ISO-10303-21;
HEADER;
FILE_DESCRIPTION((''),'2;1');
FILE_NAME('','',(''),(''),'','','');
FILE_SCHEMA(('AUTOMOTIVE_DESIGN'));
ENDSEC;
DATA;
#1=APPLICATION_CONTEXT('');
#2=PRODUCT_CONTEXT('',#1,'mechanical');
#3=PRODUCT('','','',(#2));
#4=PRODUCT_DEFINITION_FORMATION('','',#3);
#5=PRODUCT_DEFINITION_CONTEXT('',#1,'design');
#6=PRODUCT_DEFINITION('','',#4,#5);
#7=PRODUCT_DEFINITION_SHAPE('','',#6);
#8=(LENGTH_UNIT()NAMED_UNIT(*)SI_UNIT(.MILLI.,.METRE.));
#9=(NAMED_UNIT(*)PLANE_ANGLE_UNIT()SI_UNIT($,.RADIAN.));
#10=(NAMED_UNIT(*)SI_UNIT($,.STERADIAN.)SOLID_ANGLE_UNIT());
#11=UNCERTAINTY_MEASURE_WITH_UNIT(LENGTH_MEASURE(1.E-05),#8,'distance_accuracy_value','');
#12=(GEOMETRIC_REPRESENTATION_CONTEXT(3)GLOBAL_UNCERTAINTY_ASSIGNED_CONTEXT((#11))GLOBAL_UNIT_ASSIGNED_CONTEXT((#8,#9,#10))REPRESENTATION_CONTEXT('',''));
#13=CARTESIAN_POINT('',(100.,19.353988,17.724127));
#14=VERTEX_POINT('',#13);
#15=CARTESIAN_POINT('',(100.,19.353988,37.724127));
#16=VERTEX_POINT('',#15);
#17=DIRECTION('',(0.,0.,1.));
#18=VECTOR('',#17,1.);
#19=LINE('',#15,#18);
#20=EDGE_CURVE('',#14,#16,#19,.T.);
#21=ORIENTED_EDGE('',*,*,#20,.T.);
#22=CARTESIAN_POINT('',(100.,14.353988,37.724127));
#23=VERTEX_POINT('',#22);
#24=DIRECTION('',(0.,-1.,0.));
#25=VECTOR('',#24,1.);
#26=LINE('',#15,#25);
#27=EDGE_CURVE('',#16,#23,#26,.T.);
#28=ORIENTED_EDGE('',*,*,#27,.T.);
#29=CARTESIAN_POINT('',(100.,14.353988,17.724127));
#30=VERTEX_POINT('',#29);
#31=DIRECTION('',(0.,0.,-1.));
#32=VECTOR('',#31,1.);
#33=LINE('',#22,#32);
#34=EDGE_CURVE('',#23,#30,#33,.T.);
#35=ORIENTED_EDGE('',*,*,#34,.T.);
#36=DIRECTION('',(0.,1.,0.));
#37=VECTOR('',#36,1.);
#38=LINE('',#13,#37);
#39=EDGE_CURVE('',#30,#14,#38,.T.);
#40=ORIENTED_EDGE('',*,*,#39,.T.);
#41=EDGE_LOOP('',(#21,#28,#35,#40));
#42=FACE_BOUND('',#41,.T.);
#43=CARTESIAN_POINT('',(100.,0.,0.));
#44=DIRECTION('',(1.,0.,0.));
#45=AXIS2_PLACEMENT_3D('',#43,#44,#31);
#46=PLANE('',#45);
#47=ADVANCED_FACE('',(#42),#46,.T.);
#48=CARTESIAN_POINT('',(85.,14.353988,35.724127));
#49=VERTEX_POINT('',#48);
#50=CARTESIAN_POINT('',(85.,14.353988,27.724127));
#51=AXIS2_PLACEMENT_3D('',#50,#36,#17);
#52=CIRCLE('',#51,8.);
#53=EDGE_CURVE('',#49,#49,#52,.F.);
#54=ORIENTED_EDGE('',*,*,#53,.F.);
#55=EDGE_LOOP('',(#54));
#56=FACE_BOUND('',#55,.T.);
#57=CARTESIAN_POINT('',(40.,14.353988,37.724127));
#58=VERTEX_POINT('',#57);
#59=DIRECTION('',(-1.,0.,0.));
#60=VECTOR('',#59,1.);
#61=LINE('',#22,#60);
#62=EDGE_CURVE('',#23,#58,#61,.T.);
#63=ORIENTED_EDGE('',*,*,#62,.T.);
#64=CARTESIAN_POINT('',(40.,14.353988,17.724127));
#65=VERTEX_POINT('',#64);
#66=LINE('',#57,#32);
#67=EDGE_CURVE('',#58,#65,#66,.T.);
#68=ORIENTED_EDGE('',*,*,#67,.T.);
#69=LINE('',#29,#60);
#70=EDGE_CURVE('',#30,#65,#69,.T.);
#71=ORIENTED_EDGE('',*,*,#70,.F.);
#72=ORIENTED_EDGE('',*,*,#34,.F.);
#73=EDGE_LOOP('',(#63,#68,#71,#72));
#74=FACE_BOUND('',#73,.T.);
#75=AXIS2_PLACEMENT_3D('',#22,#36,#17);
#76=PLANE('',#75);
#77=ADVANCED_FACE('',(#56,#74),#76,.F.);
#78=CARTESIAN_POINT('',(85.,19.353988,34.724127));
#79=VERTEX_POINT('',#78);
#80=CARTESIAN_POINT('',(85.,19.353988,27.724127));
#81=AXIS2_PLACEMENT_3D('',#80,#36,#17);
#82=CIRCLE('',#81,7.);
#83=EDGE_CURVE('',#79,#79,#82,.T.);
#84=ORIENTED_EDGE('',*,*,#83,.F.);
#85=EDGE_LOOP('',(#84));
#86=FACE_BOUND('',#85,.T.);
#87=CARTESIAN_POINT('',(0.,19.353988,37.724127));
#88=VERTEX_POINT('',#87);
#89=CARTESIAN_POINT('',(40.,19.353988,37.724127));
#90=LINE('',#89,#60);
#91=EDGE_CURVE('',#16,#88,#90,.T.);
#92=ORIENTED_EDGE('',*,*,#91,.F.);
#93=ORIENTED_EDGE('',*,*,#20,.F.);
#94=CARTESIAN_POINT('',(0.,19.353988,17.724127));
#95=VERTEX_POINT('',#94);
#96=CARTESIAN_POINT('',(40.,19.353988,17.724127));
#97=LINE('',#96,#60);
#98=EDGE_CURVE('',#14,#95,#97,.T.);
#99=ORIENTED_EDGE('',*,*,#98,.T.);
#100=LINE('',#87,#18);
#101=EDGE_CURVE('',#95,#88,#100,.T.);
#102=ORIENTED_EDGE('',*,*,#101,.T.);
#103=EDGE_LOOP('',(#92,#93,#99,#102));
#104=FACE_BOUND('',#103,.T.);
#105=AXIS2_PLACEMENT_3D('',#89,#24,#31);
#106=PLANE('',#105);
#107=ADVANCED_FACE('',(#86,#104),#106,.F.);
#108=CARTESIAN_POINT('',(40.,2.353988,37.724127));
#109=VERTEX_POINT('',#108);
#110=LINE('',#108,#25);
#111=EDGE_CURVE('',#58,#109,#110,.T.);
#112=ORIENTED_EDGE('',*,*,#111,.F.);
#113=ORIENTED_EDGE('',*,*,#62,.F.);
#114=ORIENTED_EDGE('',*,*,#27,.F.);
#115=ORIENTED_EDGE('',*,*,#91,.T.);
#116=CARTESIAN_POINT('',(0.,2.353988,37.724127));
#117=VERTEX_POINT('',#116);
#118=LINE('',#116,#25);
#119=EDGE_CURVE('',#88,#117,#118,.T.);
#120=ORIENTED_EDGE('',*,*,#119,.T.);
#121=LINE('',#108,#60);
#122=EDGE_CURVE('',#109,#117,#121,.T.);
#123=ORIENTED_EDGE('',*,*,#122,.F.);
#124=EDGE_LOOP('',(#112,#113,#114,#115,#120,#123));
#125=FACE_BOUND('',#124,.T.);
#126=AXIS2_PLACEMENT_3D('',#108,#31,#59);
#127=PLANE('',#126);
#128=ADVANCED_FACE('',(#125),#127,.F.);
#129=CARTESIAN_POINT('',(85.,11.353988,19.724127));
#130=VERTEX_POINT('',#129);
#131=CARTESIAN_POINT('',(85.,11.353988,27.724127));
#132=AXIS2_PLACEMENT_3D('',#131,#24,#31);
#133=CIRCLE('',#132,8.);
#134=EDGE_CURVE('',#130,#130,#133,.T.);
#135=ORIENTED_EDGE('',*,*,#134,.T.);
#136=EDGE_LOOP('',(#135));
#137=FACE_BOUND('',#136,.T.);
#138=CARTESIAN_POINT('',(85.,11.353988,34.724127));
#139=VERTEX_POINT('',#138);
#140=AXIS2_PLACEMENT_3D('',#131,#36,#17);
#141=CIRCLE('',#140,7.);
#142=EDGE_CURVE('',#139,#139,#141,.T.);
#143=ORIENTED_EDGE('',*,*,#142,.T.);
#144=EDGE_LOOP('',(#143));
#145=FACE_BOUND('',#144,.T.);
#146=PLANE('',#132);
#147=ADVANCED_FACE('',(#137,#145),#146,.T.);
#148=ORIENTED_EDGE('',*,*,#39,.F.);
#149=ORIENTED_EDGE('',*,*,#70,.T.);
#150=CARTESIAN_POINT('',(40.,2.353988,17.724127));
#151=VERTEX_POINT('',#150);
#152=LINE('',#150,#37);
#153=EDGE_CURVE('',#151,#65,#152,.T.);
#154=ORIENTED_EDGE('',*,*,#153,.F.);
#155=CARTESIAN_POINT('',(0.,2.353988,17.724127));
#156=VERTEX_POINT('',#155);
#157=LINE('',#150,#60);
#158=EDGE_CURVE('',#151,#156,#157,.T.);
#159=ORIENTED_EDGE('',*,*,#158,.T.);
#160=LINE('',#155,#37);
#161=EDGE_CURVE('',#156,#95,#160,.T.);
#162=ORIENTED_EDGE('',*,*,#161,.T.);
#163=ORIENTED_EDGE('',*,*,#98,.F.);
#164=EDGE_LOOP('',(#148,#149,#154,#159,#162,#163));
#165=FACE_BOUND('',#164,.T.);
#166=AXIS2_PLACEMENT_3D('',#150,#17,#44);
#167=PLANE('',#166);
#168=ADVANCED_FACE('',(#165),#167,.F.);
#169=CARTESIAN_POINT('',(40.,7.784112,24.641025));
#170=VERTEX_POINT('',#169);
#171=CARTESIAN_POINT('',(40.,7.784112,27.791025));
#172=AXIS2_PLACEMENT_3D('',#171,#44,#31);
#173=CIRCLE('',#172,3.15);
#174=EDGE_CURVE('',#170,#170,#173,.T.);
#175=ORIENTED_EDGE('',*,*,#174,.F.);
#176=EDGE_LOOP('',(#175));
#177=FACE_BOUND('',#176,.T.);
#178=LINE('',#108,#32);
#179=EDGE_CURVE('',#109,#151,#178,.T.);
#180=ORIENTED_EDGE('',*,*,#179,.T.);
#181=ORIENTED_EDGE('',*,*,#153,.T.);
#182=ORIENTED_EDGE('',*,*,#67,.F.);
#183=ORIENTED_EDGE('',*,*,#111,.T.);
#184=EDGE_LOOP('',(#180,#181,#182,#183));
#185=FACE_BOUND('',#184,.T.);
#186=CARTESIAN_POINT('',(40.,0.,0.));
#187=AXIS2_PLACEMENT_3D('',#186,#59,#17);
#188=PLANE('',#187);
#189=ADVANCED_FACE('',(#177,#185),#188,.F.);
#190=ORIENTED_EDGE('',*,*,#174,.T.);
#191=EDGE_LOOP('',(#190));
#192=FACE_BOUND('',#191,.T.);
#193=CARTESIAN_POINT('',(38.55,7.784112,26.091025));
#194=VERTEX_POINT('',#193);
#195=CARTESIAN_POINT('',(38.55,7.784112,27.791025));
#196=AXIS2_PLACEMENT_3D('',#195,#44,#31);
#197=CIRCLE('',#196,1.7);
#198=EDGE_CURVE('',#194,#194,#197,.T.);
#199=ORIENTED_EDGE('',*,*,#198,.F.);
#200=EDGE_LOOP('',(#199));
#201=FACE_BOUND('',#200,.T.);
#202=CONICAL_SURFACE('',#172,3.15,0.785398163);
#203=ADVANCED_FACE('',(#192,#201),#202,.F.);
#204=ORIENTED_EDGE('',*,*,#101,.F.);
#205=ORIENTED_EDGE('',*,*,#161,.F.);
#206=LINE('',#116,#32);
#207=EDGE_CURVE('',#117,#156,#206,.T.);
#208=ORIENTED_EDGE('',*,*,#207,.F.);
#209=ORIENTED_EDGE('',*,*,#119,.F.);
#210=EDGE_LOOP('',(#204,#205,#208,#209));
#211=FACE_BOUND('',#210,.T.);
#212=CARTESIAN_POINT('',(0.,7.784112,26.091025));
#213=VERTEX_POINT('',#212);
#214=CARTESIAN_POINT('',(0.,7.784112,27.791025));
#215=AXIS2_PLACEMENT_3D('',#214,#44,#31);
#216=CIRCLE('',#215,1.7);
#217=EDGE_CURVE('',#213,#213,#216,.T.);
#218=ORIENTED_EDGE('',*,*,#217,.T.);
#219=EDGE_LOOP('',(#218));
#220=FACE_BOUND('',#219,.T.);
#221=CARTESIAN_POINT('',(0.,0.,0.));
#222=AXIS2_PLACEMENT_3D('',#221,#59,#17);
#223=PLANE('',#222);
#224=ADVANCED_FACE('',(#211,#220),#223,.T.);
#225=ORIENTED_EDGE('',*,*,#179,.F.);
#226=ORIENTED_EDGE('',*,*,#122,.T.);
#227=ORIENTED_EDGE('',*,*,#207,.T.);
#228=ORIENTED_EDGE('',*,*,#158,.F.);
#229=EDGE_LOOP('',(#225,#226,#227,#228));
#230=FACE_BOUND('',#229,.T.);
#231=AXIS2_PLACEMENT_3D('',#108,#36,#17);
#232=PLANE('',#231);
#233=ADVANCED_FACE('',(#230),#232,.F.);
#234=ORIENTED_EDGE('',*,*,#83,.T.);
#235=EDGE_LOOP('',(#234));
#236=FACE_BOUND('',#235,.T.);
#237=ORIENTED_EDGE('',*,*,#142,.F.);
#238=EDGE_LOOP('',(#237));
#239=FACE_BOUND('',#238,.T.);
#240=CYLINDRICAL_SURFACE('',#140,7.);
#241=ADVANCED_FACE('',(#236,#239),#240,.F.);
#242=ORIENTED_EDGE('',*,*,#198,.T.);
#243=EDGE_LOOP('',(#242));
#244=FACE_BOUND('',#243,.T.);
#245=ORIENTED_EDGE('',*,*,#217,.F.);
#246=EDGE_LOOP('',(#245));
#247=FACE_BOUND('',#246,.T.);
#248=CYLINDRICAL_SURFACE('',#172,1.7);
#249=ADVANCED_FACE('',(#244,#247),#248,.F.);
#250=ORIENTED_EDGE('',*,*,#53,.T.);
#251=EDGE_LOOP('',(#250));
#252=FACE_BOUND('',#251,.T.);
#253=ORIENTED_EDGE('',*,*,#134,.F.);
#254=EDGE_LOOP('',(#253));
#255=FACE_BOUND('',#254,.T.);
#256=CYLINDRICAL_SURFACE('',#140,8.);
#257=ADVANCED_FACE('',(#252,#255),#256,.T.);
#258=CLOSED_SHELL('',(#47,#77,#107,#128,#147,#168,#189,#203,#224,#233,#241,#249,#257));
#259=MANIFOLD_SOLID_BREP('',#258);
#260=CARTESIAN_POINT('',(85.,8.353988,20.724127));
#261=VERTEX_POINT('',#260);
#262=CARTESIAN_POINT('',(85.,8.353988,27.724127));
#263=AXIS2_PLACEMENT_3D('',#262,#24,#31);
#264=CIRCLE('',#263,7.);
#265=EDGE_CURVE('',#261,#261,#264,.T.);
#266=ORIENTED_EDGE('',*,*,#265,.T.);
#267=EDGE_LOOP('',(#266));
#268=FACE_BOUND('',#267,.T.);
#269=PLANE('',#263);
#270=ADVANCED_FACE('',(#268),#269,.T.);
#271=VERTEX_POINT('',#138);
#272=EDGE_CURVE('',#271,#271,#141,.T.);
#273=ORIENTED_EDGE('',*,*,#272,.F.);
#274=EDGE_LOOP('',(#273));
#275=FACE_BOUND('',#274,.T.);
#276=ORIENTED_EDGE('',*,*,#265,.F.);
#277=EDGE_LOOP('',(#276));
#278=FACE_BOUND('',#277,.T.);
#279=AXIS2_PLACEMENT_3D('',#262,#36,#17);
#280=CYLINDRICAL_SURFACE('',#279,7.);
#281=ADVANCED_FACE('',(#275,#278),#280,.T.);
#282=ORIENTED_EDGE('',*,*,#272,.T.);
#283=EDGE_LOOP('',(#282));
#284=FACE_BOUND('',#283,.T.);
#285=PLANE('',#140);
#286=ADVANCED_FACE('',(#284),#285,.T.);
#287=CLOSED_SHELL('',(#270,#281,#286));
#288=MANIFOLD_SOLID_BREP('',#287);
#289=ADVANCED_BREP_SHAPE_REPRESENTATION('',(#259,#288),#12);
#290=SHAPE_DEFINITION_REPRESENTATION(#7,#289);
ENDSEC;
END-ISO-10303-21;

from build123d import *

# Parameters (mm, degrees)
SKETCH_1_W          = 20
SKETCH_1_H          = 17
EXTRUDE_1_DEPTH     = 40
SKETCH_2_W          = 20
SKETCH_2_H          = 5
EXTRUDE_2_DEPTH     = 60
SKETCH_3_R          = 8
EXTRUDE_3_DEPTH     = 3
SKETCH_4_R          = 7
EXTRUDE_4_DEPTH     = 3
SKETCH_16_R         = 7
CUT_EXTRUDE_1_DEPTH = 8


with BuildPart() as part:
    # Эскиз1 → Бобышка-Вытянуть1 (new body)
    with BuildSketch(Plane(origin=(0, 0, 0), x_dir=(0, 0, -1), z_dir=(1, 0, 0))):
        with Locations((-27.72412662, 10.853987982)):
            Rectangle(SKETCH_1_W, SKETCH_1_H)
    extrude(amount=EXTRUDE_1_DEPTH)

    # Эскиз2 → Бобышка-Вытянуть2 (add)
    with BuildSketch(Plane(origin=(40, 0, 0), x_dir=(0, 0, -1), z_dir=(1, 0, 0))):
        with Locations((-27.72412662, 16.853987982)):
            Rectangle(SKETCH_2_W, SKETCH_2_H)
    extrude(amount=EXTRUDE_2_DEPTH)

    # Эскиз3 → Бобышка-Вытянуть3 (add)
    with BuildSketch(Plane.XZ.offset(-14.353987982)):
        with Locations(Location((85, 27.72412662, 0), (0, 0, 90))):
            Circle(SKETCH_3_R)
    extrude(amount=EXTRUDE_3_DEPTH)

    # Эскиз4 → Бобышка-Вытянуть4 (add)
    with BuildSketch(Plane.XZ.offset(-11.353987982)):
        with Locations(Location((85, 27.72412662, 0), (0, 0, 270))):
            Circle(SKETCH_4_R)
    extrude(amount=EXTRUDE_4_DEPTH)

    # Эскиз15 → Зенковка для винта с полупотайной головкой M32 (revolve, cut)
    with BuildSketch(Plane(origin=(40, 7.784111953, 27.791024889), x_dir=(0, 0, -1), z_dir=(0, 1, 0))):
        Polygon((0, 0), (0, 40), (1.7, 40), (1.7, 1.45), (3.15, 0), align=None)
    revolve(axis=Axis((46.35, 7.784111953, 27.791024889), (-1, 0, 0)), mode=Mode.SUBTRACT)

    # Эскиз16 → Вырез-Вытянуть1 (cut)
    with BuildSketch(Plane(origin=(0, 19.353987982, 0), x_dir=(1, 0, 0), z_dir=(0, 1, 0))):
        with Locations(Location((85, -27.72412662, 0), (0, 0, 270))):
            Circle(SKETCH_16_R)
    extrude(amount=-CUT_EXTRUDE_1_DEPTH, mode=Mode.SUBTRACT)


with BuildPart() as cut_extrude_1_piece_1:
    # of the separate pieces the step leaves, piece 1, a body of its own (cut_extrude_1_pieces)
    add(part.part.solids().sort_by_distance((0, 2.353987982, 37.72412662))[0])


with BuildPart() as cut_extrude_1_piece_2:
    # of the separate pieces the step leaves, piece 2, a body of its own (cut_extrude_1_pieces)
    add(part.part.solids().sort_by_distance((85, 8.353987982, 20.72412662))[0])


solid = Compound([cut_extrude_1_piece_1.part, cut_extrude_1_piece_2.part])
